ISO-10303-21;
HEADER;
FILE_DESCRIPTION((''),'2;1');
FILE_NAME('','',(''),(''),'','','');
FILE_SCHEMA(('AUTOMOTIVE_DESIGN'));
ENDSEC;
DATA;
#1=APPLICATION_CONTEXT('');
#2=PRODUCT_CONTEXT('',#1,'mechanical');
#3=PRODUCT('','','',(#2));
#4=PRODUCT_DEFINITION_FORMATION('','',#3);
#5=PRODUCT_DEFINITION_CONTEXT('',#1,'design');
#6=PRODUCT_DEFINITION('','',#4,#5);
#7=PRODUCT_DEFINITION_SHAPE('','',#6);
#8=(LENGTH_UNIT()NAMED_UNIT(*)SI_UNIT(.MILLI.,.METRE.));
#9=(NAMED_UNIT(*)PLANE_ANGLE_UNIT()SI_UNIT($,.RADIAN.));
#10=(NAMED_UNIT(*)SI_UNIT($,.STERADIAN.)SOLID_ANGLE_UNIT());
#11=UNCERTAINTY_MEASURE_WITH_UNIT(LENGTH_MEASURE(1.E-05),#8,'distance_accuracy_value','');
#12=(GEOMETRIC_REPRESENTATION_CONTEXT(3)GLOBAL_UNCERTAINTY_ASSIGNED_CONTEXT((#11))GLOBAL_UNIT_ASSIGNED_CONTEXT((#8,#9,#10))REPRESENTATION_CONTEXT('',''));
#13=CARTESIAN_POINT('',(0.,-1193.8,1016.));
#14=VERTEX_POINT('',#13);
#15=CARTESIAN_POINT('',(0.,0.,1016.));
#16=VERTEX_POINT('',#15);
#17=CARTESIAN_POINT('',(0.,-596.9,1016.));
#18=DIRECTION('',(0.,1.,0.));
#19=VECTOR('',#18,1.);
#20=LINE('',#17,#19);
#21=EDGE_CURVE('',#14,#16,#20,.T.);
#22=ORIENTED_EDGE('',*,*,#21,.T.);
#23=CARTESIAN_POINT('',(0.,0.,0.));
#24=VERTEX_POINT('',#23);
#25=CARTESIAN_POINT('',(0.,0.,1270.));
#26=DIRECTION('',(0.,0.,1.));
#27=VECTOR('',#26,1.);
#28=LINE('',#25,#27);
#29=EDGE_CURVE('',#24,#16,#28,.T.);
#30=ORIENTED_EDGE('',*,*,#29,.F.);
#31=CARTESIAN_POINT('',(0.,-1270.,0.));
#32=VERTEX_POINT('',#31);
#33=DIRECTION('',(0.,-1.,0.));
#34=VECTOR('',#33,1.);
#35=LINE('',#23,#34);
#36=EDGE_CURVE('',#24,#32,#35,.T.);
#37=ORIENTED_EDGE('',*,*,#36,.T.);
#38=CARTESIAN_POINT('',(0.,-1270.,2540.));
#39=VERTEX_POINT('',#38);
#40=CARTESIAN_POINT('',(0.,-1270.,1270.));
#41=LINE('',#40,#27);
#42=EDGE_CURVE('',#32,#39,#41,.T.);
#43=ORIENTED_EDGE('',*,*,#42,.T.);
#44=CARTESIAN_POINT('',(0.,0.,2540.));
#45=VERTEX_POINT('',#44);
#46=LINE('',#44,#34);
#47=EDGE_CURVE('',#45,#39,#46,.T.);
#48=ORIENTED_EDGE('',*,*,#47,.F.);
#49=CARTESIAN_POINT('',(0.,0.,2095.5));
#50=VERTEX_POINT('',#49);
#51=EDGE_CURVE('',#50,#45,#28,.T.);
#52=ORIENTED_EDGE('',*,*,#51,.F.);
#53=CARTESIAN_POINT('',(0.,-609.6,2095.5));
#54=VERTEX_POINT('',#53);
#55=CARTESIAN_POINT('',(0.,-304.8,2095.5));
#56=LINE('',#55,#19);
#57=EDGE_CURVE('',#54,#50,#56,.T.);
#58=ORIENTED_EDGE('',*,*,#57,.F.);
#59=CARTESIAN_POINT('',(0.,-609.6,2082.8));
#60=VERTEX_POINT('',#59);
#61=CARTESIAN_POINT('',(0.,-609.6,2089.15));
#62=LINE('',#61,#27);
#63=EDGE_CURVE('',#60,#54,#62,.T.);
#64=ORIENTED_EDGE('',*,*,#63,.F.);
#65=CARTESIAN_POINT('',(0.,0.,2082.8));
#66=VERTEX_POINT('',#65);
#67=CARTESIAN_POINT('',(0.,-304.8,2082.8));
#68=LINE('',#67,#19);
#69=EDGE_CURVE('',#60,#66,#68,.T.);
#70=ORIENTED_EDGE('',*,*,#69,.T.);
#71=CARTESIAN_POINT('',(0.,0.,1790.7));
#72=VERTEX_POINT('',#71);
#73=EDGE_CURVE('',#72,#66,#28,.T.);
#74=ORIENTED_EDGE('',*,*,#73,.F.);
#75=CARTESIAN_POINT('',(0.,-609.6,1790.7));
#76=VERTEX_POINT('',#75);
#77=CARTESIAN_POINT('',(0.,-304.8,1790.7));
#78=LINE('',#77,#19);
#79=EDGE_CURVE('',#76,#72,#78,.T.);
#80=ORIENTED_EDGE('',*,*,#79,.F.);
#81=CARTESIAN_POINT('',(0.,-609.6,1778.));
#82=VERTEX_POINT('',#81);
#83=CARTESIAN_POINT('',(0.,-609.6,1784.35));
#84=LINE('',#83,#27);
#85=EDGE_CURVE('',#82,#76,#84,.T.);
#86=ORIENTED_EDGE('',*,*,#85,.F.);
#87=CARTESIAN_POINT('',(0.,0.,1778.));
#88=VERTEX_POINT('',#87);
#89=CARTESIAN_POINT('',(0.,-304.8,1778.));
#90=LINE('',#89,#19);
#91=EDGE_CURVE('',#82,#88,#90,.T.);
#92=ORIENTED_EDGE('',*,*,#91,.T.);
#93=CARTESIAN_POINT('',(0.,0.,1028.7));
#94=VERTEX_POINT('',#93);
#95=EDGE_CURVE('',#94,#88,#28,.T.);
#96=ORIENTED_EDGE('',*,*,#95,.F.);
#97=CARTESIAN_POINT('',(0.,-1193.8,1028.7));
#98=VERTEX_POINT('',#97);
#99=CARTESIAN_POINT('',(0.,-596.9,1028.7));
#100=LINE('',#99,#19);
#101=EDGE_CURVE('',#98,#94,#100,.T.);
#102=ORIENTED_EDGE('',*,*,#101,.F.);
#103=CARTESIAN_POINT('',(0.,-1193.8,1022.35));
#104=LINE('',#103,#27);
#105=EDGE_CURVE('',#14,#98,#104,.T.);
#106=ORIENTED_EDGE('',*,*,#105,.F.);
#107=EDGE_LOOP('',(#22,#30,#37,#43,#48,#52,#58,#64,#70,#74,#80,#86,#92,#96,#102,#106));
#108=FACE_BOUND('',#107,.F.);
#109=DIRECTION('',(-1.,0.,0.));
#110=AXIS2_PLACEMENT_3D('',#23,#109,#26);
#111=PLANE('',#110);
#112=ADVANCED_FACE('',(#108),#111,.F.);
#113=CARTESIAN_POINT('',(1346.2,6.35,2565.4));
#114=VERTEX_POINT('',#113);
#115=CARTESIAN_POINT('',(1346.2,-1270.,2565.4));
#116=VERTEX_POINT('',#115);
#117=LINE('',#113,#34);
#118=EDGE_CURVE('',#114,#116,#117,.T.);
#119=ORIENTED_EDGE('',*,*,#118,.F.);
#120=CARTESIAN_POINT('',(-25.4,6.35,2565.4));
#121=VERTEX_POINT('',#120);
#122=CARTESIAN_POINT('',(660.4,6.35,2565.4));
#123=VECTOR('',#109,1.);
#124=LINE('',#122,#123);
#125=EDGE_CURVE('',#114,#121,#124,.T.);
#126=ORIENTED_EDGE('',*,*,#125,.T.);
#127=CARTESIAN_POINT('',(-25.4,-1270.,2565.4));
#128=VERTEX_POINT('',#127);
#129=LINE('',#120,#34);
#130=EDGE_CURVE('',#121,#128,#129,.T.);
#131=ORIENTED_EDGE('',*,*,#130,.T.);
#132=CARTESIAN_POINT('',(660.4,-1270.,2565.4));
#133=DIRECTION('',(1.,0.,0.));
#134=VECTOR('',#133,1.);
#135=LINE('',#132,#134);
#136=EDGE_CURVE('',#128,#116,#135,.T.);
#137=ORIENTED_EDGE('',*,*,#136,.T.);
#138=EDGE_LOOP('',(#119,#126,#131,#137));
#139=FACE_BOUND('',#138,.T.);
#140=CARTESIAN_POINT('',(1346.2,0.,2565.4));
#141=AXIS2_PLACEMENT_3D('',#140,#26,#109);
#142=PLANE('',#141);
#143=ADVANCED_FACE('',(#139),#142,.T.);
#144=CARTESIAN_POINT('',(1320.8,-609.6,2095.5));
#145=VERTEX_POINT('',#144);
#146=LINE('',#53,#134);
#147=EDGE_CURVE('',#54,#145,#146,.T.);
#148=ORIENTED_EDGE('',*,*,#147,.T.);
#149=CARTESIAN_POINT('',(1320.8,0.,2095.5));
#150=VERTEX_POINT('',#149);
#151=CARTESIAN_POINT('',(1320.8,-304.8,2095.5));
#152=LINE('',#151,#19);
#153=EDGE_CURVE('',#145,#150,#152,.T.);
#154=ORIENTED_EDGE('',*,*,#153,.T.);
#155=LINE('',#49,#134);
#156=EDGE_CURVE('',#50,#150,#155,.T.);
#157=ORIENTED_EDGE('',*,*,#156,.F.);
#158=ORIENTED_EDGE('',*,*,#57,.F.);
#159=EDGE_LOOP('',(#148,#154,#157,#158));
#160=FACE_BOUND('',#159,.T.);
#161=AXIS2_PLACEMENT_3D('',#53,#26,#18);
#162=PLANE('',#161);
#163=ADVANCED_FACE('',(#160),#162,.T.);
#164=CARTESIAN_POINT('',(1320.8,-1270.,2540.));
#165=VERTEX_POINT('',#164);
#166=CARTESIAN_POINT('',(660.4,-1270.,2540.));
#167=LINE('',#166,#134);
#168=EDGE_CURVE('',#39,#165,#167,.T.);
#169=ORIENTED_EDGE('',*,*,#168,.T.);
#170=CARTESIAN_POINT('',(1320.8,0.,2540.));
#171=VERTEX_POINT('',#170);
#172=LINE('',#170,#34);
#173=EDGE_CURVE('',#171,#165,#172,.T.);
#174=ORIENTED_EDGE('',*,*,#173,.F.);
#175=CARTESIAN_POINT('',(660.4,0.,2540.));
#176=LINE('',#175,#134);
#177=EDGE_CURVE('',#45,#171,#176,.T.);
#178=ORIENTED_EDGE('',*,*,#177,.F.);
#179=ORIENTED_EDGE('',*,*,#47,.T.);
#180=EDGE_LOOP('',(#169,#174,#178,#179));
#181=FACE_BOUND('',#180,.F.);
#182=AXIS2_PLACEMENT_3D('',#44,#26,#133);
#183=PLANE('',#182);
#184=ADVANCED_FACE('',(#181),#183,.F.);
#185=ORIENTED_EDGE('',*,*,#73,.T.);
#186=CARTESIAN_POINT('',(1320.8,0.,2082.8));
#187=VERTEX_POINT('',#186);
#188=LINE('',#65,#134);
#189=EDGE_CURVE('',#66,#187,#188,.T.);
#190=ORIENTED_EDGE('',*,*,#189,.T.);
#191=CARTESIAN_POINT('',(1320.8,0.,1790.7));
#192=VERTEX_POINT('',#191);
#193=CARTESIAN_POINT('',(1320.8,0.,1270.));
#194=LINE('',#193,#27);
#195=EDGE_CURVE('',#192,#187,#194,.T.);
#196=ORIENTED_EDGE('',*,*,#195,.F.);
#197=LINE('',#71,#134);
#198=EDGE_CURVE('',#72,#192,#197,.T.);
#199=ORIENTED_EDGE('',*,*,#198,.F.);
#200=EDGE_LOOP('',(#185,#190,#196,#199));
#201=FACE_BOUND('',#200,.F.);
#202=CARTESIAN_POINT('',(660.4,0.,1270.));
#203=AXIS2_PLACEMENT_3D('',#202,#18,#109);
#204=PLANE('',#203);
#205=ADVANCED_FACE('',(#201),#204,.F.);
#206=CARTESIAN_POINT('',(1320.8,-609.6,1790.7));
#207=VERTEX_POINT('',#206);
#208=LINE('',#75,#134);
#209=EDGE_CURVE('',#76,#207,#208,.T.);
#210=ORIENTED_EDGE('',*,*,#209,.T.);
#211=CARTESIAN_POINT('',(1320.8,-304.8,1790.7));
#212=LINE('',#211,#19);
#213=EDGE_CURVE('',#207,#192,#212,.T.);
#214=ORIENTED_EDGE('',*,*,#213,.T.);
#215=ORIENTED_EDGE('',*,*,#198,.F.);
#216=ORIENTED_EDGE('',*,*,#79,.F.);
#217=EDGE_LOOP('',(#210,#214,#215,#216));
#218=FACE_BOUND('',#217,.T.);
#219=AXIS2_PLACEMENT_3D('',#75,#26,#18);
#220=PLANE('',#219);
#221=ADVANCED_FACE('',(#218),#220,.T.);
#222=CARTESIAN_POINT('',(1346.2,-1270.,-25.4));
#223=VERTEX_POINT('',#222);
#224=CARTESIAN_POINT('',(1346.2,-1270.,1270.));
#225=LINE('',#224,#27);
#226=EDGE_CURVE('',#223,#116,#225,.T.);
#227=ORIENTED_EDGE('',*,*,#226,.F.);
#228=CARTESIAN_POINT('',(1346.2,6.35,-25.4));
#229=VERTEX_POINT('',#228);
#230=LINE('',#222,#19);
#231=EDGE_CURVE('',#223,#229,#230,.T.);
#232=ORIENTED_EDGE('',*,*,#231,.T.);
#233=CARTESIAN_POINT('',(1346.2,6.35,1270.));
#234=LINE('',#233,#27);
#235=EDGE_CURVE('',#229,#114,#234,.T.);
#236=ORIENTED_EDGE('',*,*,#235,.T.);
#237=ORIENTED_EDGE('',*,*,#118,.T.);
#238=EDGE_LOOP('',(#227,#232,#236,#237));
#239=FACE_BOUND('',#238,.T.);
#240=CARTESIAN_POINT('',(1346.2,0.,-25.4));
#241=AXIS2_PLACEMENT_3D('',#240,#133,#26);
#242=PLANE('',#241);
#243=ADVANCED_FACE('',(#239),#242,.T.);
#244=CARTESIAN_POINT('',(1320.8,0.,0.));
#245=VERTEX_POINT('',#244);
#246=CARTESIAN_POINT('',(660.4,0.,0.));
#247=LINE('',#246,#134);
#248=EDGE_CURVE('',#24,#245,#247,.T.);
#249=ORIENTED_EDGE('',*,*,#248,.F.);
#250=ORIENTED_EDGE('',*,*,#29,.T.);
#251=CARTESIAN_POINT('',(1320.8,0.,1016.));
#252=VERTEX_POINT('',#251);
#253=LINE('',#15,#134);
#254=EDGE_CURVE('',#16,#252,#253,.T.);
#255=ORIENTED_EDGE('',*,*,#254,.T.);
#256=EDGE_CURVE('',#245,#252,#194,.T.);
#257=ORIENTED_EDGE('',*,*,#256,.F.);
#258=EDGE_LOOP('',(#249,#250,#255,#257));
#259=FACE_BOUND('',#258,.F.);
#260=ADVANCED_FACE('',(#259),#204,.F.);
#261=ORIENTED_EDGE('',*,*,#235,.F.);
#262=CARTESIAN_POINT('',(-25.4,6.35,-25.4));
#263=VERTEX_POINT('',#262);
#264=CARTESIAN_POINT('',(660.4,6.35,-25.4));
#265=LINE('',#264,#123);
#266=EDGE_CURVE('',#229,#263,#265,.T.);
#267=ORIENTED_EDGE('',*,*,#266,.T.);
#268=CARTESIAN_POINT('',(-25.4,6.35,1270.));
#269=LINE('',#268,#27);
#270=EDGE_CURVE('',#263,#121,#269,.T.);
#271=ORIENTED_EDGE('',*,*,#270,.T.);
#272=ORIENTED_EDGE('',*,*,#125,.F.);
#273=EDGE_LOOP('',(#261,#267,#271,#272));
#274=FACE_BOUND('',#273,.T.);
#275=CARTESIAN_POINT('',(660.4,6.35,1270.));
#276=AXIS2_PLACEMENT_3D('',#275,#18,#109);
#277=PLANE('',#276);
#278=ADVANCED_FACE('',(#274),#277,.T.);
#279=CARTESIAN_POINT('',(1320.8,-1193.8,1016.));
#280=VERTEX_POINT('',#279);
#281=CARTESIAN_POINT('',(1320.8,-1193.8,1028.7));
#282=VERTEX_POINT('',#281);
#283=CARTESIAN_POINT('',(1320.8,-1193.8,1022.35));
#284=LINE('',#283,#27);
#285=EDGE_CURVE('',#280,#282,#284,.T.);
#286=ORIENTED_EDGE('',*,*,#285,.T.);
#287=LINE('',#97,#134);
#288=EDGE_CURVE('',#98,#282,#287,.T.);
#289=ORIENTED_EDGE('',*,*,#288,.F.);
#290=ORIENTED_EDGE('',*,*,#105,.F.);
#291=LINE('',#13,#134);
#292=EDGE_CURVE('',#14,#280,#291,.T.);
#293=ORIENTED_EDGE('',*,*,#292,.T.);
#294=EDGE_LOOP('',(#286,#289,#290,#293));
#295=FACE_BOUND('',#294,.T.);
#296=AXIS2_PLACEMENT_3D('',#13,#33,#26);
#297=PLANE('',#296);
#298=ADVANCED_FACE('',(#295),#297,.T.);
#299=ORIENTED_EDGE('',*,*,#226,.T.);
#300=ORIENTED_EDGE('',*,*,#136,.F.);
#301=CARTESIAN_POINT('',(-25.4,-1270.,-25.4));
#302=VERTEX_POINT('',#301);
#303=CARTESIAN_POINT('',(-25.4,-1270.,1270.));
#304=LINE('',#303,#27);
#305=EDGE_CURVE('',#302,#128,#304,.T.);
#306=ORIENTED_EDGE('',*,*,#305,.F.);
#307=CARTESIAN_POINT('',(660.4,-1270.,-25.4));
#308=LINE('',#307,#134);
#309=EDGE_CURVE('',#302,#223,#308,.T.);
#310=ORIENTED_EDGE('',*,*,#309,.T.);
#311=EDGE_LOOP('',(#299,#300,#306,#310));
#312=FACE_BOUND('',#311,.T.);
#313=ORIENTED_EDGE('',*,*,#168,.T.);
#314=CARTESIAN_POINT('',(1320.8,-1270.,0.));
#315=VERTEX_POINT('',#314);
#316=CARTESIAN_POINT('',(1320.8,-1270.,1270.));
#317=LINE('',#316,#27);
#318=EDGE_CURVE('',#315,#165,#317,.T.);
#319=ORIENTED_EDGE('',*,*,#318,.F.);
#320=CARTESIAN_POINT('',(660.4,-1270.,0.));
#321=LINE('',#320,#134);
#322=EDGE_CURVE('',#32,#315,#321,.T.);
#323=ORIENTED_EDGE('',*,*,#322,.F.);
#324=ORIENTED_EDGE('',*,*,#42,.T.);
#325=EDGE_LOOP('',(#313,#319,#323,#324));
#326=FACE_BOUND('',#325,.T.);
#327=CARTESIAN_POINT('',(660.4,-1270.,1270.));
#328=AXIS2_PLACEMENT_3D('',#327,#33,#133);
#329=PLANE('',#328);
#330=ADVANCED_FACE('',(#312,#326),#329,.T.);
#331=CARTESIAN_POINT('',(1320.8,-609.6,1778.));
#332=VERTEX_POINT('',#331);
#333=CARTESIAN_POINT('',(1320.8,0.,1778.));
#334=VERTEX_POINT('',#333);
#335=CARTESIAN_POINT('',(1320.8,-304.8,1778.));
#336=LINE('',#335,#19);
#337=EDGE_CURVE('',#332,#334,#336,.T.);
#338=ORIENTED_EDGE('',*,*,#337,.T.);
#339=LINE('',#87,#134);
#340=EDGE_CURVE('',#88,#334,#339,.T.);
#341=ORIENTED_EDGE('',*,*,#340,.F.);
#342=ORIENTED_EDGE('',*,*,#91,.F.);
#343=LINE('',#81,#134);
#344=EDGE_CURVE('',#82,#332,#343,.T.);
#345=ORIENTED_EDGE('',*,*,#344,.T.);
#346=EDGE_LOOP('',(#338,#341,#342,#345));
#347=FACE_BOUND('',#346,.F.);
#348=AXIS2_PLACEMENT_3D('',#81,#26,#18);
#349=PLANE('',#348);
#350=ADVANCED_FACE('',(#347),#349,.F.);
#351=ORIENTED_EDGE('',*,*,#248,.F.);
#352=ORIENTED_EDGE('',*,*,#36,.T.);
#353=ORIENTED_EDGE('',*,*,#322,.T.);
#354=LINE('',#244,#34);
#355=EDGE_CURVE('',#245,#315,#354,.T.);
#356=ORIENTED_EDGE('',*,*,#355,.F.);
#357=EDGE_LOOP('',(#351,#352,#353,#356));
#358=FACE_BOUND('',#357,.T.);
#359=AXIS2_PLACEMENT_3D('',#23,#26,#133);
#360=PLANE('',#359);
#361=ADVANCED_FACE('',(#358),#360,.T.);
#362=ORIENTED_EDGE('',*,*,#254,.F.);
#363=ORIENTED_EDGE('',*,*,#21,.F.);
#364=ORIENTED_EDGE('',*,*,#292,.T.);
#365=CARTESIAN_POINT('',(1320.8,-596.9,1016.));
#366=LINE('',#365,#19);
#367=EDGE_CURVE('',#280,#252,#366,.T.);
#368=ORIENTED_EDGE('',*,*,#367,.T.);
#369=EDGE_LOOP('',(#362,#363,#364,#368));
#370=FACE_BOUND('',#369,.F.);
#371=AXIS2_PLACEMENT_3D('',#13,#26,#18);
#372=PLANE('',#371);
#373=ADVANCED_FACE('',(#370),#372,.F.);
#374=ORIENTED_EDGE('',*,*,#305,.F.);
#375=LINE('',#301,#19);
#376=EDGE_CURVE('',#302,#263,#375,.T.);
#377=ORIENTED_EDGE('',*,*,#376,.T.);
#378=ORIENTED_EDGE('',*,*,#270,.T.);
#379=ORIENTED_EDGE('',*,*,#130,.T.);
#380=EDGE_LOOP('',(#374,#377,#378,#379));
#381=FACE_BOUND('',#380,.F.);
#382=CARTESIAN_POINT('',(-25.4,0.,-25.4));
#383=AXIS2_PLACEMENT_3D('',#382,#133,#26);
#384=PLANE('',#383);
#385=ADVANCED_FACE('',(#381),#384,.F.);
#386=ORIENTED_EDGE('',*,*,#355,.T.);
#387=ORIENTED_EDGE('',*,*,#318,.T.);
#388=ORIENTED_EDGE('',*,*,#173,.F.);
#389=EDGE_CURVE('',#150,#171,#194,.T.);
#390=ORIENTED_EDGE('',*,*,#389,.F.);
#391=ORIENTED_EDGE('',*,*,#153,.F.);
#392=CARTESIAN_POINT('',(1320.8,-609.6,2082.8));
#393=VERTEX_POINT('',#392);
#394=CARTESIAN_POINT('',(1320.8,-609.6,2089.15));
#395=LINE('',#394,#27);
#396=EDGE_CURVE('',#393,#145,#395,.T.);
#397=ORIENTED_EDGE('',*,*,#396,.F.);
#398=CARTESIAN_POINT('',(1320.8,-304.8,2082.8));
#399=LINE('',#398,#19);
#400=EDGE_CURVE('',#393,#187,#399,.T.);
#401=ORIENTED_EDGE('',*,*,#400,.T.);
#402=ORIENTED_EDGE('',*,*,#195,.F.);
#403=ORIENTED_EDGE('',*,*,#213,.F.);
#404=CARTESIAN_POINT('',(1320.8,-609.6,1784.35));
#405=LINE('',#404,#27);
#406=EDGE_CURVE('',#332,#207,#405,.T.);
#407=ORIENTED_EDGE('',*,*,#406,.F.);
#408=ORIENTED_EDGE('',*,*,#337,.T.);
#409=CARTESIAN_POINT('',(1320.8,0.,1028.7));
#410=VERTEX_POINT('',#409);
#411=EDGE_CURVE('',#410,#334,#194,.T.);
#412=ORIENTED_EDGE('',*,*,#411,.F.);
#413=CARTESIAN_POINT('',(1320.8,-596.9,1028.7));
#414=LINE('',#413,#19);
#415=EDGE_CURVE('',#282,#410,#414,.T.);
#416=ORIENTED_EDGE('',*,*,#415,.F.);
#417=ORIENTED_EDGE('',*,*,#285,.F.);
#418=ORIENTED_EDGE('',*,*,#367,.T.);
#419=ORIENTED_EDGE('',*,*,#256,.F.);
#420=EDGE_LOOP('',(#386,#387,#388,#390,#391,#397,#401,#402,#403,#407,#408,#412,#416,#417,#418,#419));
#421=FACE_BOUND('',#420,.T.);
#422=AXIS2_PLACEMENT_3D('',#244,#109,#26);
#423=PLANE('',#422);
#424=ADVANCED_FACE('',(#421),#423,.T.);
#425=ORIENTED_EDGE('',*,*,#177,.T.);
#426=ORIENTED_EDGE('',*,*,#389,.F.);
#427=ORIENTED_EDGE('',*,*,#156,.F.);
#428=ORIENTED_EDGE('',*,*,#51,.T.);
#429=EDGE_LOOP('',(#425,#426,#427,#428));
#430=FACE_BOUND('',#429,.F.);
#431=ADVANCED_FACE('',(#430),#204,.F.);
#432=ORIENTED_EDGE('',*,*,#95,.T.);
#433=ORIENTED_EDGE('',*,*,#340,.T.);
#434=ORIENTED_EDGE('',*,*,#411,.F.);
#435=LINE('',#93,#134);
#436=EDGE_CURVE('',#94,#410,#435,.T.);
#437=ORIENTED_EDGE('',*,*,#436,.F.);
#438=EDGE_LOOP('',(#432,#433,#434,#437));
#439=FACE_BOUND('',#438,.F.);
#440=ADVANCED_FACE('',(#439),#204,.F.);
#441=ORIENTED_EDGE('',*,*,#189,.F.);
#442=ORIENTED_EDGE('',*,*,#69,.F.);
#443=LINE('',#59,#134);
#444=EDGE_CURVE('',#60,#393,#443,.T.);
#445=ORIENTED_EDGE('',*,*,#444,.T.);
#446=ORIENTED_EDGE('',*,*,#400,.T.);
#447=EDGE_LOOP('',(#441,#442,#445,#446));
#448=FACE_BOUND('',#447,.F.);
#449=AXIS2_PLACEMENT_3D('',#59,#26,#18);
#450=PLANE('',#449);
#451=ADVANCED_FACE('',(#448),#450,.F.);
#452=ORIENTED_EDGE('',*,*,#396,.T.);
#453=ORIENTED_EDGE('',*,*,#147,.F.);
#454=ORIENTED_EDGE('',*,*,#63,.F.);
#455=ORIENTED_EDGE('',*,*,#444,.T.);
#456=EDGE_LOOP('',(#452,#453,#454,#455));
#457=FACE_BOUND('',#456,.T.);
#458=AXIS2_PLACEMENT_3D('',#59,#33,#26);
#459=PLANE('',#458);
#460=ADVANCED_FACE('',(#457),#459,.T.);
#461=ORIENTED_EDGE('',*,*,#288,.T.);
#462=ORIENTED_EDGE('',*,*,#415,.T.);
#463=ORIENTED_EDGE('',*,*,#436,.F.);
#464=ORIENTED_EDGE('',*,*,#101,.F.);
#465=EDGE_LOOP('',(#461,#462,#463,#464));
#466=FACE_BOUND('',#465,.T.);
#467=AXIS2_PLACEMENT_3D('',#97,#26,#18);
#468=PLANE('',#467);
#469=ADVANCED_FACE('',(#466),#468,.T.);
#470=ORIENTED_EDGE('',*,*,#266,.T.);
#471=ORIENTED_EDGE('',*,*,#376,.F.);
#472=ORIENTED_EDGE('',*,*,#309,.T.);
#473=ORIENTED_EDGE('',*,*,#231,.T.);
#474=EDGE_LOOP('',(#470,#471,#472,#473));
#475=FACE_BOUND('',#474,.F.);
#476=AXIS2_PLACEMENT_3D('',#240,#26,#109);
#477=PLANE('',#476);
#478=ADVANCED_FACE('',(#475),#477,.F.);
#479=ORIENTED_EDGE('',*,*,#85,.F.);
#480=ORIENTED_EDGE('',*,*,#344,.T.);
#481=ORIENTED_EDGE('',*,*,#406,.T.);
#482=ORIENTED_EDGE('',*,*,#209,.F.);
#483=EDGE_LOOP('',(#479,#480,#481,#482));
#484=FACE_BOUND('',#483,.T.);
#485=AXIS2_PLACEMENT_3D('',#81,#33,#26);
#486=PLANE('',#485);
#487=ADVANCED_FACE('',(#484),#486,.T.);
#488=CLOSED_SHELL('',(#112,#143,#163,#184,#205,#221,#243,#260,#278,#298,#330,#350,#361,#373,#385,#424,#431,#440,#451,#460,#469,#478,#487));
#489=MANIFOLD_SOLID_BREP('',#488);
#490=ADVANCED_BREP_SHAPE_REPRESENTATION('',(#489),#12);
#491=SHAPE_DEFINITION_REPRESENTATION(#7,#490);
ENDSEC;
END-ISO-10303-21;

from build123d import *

# Parameters (mm, degrees)
F0_W     = 1371.6
F0_H     = 2590.8
F0_W_2   = 1320.8
F0_H_2   = 2540
F1_DEPTH = 1270
F2_W     = 1193.8
F2_H     = 12.7
F2_W_2   = 609.6
F3_DEPTH = 1320.8
F4_W     = 1371.6
F4_H     = 2590.8
F5_DEPTH = 6.35


with BuildPart() as f1:
    # F0 (on Front) → F1 (new body)
    with BuildSketch(Plane.XZ):
        with Locations((660.4, 1270)):
            Rectangle(F0_W, F0_H)
        with Locations((660.4, 1270)):
            Rectangle(F0_W_2, F0_H_2, mode=Mode.SUBTRACT)
    extrude(amount=F1_DEPTH)

    # F2 (on face) → F3 (join, through all)
    with BuildSketch(Plane.YZ):
        with Locations((-596.9, 1022.35)):
            Rectangle(F2_W, F2_H)
        with Locations((-304.8, 2089.15)):
            Rectangle(F2_W_2, F2_H)
        with Locations((-304.8, 1784.35)):
            Rectangle(F2_W_2, F2_H)
    extrude(amount=F3_DEPTH)

    # F4 (on face) → F5 (join)
    with BuildSketch(Plane(origin=(0, 0, 0), x_dir=(-1, 0, 0), z_dir=(0, 1, 0))):
        with Locations((-660.4, 1270)):
            Rectangle(F4_W, F4_H)
    extrude(amount=F5_DEPTH)


solid = f1.part
